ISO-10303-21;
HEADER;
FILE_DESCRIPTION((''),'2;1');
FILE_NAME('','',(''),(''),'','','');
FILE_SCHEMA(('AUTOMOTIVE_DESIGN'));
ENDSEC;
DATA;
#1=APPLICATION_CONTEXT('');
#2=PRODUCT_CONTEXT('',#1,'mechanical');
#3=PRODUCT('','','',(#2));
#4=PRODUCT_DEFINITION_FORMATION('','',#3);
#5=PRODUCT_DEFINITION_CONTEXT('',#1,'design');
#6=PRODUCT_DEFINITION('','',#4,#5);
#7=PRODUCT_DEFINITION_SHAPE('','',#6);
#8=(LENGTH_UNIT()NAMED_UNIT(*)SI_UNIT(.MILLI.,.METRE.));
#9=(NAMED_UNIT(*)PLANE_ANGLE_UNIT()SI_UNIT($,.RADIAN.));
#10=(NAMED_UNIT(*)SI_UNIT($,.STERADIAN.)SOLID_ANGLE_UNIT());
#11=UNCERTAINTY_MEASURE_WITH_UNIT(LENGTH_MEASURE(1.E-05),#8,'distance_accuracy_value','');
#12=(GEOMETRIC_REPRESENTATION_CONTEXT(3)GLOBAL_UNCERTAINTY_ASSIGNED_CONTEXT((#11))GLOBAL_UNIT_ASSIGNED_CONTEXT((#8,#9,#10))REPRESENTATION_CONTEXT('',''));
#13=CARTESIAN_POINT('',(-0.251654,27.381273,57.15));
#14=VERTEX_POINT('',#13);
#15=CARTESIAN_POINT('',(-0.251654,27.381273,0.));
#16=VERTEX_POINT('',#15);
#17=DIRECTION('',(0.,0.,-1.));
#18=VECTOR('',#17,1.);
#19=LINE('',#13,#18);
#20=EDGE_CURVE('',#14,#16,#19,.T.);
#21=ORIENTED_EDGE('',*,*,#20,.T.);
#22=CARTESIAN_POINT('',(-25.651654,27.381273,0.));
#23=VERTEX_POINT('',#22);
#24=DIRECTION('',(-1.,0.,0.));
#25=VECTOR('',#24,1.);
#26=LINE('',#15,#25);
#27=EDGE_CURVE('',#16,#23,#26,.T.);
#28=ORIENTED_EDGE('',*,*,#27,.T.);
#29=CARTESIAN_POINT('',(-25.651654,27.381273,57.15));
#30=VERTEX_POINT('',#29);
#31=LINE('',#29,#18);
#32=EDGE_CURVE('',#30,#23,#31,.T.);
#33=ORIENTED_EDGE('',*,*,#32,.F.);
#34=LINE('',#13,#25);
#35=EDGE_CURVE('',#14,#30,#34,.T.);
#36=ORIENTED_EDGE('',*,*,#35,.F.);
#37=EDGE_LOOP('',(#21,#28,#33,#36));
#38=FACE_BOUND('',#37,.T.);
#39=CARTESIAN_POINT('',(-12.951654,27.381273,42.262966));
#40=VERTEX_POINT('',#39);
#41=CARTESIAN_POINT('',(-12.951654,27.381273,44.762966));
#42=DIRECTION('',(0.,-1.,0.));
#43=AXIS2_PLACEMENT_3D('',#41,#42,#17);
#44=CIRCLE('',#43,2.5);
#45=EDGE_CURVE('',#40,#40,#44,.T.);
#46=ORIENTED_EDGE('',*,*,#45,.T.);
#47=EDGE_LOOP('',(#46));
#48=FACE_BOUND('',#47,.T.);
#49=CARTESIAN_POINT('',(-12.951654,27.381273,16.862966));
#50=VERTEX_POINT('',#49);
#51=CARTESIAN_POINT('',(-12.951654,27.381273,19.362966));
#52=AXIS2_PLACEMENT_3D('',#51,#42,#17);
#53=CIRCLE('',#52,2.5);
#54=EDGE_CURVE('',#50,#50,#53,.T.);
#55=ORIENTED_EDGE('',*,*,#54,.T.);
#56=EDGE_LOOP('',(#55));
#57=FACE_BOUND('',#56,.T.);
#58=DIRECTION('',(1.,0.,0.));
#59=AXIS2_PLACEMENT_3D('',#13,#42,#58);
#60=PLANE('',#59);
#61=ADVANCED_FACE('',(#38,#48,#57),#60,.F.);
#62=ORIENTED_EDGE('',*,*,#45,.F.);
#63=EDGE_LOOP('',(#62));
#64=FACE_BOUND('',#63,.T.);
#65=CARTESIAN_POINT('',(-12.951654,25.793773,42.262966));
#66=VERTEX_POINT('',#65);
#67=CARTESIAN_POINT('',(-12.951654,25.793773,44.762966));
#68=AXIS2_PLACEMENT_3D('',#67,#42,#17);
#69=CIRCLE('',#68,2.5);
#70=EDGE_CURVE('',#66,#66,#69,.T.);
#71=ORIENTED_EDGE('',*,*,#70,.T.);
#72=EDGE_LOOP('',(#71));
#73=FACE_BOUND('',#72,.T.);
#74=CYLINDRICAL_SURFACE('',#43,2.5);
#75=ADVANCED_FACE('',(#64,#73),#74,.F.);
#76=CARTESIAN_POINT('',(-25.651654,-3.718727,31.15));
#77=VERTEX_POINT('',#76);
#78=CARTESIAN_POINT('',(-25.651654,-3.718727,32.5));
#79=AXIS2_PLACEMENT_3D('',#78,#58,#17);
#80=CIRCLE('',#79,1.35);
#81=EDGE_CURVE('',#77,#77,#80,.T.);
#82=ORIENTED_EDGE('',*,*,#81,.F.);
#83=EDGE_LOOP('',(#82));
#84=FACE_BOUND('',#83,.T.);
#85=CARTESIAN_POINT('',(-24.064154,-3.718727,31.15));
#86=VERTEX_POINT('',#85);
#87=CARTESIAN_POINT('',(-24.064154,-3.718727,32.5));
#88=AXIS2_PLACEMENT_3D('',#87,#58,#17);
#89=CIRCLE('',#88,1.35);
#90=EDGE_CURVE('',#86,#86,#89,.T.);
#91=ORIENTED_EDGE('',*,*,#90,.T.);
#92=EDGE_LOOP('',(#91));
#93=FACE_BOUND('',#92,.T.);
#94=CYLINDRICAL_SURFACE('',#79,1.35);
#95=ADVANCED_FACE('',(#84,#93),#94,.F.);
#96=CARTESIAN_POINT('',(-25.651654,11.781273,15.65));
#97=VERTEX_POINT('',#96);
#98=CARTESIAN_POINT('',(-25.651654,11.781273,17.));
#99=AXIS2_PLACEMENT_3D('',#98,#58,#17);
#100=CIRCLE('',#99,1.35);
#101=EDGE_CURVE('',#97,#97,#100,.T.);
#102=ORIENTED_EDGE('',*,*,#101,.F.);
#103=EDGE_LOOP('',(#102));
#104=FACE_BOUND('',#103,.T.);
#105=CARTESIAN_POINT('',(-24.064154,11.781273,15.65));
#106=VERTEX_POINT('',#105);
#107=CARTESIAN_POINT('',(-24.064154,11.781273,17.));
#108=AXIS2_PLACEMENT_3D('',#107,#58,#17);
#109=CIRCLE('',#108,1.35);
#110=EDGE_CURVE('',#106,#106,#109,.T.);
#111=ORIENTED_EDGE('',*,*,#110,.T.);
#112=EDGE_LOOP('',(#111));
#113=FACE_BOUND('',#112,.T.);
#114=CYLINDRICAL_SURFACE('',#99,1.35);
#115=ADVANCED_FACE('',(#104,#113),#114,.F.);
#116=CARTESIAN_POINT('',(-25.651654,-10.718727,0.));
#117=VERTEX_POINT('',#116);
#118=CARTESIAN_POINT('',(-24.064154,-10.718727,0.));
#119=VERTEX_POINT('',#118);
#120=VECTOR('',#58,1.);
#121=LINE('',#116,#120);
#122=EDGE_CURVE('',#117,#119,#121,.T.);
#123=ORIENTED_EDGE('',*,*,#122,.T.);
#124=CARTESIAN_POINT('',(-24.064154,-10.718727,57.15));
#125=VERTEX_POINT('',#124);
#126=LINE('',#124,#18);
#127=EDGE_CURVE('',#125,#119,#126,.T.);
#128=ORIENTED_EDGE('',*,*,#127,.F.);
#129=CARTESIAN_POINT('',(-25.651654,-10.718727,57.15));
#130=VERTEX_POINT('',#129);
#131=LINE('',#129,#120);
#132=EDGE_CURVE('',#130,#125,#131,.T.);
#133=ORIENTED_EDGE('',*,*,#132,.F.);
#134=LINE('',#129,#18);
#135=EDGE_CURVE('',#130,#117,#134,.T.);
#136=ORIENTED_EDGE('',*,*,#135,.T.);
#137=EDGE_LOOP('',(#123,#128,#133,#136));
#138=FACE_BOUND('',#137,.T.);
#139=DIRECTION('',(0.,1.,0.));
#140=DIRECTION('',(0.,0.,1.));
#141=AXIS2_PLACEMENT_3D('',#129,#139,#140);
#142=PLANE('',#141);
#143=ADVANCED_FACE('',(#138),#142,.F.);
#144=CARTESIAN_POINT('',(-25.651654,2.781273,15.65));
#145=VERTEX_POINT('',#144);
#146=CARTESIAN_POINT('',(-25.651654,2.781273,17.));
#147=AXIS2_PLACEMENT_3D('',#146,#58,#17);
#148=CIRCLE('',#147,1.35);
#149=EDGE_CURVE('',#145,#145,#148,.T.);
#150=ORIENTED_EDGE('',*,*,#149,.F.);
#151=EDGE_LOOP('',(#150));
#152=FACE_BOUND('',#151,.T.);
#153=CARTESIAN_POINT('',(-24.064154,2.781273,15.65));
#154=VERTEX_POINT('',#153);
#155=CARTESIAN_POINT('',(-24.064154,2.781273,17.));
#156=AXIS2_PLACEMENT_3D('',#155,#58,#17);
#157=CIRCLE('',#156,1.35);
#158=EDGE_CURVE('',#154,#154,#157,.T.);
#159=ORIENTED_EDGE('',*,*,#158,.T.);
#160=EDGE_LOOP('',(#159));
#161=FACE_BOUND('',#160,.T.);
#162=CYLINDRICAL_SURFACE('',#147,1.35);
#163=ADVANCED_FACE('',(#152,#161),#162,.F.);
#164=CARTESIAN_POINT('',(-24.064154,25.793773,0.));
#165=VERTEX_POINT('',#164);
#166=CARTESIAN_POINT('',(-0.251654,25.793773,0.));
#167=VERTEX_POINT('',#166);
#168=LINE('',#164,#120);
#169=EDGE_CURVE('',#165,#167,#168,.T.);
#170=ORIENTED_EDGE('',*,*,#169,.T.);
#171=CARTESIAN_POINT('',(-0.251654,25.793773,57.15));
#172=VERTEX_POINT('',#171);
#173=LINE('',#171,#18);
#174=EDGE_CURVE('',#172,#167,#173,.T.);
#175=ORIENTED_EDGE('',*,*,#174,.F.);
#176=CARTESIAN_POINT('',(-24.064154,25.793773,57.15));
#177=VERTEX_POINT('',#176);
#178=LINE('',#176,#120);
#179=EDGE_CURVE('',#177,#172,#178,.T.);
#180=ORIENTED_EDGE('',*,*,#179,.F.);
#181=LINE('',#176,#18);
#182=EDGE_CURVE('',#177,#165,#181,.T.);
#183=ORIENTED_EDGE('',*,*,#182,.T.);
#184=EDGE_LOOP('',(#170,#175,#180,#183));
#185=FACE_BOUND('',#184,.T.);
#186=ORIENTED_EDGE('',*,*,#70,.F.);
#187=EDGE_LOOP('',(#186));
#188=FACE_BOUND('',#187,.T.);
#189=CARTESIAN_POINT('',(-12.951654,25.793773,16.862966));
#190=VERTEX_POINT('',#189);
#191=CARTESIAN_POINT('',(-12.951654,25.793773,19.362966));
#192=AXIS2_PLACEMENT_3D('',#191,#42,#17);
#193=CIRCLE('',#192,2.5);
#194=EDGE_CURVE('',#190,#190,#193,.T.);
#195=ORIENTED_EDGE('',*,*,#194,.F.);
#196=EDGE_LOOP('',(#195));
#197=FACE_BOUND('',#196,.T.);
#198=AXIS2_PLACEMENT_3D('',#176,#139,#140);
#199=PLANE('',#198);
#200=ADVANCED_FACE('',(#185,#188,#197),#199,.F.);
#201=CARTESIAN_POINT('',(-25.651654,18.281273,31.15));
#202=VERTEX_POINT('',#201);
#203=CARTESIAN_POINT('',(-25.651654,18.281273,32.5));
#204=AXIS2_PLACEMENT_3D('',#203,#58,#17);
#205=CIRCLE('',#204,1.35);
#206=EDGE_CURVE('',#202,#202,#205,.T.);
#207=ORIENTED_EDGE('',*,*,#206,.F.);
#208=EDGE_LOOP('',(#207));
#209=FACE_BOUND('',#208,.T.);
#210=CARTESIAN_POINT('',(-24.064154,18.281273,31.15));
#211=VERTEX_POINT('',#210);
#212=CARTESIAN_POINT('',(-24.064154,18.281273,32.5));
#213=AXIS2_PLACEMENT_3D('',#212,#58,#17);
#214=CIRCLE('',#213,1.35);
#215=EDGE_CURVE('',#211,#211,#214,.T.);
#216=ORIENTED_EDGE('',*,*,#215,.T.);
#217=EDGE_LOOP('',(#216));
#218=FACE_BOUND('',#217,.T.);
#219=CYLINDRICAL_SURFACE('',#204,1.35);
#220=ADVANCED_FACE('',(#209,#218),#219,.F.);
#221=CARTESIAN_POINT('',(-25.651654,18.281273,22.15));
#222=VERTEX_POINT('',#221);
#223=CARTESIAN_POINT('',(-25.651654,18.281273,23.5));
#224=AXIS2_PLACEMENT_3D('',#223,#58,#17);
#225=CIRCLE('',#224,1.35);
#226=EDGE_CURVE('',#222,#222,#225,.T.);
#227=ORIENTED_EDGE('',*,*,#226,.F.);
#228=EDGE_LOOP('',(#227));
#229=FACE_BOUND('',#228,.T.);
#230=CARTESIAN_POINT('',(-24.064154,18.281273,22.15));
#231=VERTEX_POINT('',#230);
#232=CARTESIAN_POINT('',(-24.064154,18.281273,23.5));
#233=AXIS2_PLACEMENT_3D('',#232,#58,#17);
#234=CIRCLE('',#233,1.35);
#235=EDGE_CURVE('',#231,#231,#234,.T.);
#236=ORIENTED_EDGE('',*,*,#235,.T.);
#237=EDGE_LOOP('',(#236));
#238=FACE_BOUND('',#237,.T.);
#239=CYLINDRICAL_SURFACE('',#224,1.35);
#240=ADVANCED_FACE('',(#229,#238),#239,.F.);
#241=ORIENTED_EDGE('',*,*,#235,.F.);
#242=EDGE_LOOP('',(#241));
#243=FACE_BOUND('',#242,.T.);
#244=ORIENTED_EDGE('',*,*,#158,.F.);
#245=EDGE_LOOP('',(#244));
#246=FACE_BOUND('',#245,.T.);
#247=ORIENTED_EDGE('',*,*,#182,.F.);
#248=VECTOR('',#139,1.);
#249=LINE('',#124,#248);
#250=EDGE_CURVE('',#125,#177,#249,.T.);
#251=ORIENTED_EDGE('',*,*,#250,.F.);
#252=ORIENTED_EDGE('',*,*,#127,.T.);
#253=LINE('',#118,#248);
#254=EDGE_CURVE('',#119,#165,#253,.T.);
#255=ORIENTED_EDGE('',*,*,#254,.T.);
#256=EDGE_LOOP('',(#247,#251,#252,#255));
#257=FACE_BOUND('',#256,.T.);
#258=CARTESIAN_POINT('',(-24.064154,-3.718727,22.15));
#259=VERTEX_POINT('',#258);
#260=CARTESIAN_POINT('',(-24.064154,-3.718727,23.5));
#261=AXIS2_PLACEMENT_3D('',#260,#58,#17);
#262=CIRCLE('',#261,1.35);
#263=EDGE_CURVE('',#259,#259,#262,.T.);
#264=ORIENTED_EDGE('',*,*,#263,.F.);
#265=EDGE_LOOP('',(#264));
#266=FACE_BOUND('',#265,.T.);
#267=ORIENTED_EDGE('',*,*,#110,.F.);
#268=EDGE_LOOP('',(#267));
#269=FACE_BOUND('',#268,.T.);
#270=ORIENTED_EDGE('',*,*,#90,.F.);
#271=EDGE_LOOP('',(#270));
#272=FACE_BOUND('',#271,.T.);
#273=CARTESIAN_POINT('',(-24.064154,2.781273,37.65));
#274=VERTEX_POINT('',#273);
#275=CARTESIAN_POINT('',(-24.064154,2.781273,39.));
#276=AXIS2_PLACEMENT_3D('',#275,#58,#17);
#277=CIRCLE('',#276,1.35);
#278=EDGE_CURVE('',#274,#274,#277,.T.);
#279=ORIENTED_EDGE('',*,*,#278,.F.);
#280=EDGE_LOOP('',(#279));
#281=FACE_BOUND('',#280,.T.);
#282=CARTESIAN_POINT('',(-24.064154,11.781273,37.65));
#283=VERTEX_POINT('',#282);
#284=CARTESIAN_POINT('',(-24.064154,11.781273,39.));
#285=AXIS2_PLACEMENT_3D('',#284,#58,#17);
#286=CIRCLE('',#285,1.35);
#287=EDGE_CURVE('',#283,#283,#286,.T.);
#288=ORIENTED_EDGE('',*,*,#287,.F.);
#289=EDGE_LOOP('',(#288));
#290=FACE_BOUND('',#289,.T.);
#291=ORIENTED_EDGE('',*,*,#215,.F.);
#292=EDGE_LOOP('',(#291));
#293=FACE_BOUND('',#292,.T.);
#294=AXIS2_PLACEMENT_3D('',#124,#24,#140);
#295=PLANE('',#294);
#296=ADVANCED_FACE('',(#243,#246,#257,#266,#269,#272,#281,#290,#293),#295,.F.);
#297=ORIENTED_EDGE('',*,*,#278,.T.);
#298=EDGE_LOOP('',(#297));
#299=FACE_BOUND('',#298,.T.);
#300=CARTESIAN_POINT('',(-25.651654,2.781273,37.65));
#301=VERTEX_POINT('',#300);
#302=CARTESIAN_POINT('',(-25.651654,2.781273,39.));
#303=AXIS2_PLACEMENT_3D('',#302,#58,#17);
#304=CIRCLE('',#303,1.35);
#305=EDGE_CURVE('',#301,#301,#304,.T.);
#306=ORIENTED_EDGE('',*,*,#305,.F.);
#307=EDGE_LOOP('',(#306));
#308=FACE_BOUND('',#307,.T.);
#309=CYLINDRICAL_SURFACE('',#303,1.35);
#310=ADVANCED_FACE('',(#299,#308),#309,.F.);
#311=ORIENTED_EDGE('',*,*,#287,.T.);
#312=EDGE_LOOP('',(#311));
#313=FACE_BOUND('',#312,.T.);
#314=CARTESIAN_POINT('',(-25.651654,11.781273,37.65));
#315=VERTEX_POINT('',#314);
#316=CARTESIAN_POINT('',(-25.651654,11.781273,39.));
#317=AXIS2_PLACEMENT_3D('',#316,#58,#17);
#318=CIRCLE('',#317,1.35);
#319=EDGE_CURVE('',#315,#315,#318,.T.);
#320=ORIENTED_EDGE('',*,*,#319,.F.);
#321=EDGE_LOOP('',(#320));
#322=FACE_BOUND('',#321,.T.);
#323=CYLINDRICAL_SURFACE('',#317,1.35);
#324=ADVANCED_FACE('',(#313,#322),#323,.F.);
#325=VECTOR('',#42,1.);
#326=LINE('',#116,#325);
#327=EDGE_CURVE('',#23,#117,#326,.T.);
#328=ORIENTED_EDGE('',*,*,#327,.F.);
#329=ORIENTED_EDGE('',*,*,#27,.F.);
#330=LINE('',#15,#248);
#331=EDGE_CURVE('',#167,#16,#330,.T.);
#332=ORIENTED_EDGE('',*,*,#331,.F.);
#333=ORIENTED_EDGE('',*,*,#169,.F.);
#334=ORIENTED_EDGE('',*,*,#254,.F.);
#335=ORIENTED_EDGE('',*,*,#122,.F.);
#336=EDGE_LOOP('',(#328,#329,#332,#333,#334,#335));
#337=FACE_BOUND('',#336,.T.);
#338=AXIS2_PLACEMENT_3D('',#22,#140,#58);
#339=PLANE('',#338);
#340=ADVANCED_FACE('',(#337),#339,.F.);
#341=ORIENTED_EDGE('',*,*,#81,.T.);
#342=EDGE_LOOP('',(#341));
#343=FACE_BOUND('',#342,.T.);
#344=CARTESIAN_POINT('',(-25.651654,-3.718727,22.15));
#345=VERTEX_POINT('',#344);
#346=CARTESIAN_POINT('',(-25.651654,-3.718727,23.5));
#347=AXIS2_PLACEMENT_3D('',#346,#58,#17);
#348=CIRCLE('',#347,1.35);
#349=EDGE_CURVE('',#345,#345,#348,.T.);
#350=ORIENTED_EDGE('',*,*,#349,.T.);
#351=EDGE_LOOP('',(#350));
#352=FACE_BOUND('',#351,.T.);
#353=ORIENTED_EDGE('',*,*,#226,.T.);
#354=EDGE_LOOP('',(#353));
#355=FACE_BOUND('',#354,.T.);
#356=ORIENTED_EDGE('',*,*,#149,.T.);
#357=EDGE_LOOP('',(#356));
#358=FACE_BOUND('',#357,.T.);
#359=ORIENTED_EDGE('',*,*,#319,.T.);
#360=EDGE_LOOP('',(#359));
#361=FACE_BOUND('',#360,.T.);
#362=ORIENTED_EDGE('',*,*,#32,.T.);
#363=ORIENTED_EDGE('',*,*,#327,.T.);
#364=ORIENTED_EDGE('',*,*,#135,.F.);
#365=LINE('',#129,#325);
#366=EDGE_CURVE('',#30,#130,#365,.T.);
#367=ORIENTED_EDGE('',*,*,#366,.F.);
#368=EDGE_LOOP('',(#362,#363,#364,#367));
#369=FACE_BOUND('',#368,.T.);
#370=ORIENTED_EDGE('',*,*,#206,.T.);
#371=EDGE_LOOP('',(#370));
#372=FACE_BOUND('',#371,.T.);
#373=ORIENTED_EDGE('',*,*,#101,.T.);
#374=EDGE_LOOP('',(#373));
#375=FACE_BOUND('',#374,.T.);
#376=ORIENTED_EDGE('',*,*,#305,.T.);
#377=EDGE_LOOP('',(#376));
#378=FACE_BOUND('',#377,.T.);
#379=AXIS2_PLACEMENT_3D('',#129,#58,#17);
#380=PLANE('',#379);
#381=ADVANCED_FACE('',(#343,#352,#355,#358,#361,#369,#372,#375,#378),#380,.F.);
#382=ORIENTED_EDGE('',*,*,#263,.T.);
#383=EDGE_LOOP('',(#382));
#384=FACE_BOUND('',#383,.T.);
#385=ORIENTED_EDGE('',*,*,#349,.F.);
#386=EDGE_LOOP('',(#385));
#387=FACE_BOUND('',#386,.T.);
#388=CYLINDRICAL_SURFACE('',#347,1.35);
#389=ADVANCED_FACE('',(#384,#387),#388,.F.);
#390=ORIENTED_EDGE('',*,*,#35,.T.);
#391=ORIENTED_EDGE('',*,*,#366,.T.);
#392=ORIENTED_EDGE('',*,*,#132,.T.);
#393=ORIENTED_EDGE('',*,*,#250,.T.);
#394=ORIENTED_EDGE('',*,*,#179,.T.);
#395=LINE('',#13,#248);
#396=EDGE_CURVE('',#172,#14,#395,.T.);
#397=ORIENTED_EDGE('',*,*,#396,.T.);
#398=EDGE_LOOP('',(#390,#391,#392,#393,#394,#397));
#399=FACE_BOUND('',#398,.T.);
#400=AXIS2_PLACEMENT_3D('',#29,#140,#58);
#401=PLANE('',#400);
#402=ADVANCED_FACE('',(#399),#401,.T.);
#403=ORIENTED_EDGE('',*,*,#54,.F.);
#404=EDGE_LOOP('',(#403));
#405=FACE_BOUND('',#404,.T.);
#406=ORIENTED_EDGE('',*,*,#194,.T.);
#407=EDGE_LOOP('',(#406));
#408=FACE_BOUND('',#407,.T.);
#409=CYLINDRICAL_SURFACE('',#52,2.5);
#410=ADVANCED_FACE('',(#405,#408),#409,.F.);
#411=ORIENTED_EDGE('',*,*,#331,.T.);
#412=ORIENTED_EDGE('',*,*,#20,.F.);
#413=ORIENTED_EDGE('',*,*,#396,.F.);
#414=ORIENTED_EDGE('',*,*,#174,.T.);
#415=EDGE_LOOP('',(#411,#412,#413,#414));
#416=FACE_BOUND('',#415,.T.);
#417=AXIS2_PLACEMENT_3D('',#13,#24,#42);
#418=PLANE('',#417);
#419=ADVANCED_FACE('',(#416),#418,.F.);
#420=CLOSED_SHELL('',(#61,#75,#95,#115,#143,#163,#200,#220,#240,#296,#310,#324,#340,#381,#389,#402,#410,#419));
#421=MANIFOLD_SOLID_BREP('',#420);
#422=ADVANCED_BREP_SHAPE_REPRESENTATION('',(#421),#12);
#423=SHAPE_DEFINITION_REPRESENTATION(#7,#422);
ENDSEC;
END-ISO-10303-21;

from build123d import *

# Parameters (mm, degrees)
BOSS_EXTRUDE1_DEPTH = 57.15
SKETCH3_R           = 1.35
CUT_EXTRUDE1_DEPTH  = 2.5875
SKETCH2_R           = 2.5
CUT_EXTRUDE2_DEPTH  = 2.5875


with BuildPart() as part:
    # Sketch1 → Boss-Extrude1 (new body)
    with BuildSketch(Plane.XY):
        Polygon((-0.251653512, 27.381273354), (-25.651653512, 27.381273354), (-25.651653512, -10.718726646), (-24.064153512, -10.718726646), (-24.064153512, 25.793773354), (-0.251653512, 25.793773354), align=None)
    extrude(amount=BOSS_EXTRUDE1_DEPTH)

    # Sketch3 → Cut-Extrude1 (cut, through all)
    with BuildSketch(Plane(origin=(-24.064153512, 0, 0), x_dir=(0, 0, -1), z_dir=(1, 0, 0))):
        with Locations((-32.5, 18.281273354)):
            Circle(SKETCH3_R)
        with Locations((-23.5, 18.281273354)):
            Circle(SKETCH3_R)
        with Locations((-17, 11.781273354)):
            Circle(SKETCH3_R)
        with Locations((-17, 2.781273354)):
            Circle(SKETCH3_R)
        with Locations((-23.5, -3.718726646)):
            Circle(SKETCH3_R)
        with Locations((-32.5, -3.718726646)):
            Circle(SKETCH3_R)
        with Locations((-39, 2.781273354)):
            Circle(SKETCH3_R)
        with Locations((-39, 11.781273354)):
            Circle(SKETCH3_R)
    extrude(amount=-CUT_EXTRUDE1_DEPTH, mode=Mode.SUBTRACT)

    # Sketch2 → Cut-Extrude2 (cut, through all)
    with BuildSketch(Plane.XZ.offset(-25.793773354)):
        with Locations((-12.951653512, 44.762965599)):
            Circle(SKETCH2_R)
        with Locations((-12.951653512, 19.362965599)):
            Circle(SKETCH2_R)
    extrude(amount=-CUT_EXTRUDE2_DEPTH, mode=Mode.SUBTRACT)


solid = part.part
